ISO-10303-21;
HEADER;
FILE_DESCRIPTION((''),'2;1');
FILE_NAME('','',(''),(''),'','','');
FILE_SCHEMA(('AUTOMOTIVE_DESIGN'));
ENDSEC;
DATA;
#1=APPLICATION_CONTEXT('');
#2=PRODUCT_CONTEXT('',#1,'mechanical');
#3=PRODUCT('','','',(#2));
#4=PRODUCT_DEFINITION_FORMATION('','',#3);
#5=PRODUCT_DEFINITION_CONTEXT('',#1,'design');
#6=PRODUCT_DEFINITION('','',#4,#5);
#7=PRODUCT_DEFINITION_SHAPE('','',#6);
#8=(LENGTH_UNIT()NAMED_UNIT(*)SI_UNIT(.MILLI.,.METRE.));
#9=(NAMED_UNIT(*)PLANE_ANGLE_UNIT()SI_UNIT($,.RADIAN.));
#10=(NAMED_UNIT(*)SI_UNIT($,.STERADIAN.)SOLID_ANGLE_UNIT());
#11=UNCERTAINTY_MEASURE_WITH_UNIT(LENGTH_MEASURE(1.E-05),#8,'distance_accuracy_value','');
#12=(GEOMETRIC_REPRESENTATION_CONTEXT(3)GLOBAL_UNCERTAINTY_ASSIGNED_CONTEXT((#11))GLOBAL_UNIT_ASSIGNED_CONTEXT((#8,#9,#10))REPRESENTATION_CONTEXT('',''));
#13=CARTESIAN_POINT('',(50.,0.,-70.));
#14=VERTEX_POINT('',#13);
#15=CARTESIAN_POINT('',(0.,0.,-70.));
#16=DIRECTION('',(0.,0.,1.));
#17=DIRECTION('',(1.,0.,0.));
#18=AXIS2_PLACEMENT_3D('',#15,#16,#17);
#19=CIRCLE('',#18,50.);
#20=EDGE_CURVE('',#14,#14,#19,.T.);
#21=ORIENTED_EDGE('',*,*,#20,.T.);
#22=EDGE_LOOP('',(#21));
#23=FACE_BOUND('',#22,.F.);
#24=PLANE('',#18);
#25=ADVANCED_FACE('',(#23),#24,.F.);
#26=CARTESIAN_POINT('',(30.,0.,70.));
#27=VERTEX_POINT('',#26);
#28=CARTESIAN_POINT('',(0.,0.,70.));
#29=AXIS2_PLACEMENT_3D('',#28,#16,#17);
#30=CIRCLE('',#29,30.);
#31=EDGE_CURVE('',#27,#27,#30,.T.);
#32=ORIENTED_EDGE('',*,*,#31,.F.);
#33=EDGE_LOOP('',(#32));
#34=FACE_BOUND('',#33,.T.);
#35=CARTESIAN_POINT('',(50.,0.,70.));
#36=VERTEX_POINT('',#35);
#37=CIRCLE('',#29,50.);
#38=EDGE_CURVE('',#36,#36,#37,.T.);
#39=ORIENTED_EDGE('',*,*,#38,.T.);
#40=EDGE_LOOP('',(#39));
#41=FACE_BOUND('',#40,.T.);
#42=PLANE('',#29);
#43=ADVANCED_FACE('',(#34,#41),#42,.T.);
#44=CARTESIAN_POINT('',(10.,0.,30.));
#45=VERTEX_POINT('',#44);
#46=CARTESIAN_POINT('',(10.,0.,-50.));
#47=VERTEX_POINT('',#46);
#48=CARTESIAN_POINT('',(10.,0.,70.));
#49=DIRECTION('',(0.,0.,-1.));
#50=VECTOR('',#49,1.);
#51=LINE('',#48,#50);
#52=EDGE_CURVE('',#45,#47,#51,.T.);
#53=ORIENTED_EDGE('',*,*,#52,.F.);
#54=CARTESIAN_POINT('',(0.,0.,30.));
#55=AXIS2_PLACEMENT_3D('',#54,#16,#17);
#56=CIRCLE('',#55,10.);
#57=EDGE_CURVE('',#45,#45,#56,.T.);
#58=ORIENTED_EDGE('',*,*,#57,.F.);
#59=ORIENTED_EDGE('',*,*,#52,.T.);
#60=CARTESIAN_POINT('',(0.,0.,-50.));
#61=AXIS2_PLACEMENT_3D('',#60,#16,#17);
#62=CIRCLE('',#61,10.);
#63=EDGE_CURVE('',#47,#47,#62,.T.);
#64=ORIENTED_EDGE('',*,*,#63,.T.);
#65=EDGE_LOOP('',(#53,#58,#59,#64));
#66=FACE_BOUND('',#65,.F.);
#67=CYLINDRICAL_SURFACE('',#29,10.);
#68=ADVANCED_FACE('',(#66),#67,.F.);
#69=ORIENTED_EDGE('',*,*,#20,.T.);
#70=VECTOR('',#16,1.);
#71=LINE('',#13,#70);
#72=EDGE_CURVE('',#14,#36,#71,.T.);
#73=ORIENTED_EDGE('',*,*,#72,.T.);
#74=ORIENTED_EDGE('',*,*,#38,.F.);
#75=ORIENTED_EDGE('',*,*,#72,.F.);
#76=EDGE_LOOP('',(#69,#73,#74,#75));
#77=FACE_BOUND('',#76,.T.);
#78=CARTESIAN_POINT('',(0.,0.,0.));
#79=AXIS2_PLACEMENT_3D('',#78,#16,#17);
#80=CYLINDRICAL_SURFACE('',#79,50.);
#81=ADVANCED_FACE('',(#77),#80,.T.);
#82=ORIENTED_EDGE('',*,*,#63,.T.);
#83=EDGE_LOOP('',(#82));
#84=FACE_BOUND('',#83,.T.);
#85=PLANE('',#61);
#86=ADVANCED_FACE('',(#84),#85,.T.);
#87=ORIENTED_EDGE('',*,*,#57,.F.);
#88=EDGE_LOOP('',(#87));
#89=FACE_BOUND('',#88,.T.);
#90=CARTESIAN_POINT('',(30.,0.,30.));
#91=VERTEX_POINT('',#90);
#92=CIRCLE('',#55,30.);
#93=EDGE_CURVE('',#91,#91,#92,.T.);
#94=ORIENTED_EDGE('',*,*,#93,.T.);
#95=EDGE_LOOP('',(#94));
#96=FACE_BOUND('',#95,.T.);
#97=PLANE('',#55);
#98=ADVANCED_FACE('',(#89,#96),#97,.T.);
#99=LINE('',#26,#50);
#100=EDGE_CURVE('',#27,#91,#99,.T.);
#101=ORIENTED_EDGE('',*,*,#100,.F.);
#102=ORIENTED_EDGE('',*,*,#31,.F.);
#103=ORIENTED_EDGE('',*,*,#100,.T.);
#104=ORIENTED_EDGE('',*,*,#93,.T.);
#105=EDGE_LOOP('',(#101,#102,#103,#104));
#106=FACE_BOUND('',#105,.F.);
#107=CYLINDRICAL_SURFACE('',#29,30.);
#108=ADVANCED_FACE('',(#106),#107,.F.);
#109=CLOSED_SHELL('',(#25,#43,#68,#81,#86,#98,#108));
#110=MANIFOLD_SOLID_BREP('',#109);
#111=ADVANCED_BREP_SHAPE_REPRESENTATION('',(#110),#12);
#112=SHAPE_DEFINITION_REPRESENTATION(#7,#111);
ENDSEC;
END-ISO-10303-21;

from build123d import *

# Parameters (mm, degrees)
F0_R     = 50
F1_DEPTH = 70
F2_R     = 10
F3_DEPTH = 120
F2_R_2   = 30
F4_DEPTH = 40


with BuildPart() as f1:
    # F0 (on Top) → F1 (new body, symmetric)
    with BuildSketch(Plane.XY):
        Circle(F0_R)
    extrude(amount=F1_DEPTH, both=True)

    # F2 (on face) → F3 (cut)
    with BuildSketch(Plane.XY.offset(70)):
        Circle(F2_R)
    extrude(amount=-F3_DEPTH, mode=Mode.SUBTRACT)

    # F2 (on face) → F4 (cut)
    with BuildSketch(Plane.XY.offset(70)):
        Circle(F2_R_2)
        Circle(F2_R, mode=Mode.SUBTRACT)
    extrude(amount=-F4_DEPTH, mode=Mode.SUBTRACT)


solid = f1.part
